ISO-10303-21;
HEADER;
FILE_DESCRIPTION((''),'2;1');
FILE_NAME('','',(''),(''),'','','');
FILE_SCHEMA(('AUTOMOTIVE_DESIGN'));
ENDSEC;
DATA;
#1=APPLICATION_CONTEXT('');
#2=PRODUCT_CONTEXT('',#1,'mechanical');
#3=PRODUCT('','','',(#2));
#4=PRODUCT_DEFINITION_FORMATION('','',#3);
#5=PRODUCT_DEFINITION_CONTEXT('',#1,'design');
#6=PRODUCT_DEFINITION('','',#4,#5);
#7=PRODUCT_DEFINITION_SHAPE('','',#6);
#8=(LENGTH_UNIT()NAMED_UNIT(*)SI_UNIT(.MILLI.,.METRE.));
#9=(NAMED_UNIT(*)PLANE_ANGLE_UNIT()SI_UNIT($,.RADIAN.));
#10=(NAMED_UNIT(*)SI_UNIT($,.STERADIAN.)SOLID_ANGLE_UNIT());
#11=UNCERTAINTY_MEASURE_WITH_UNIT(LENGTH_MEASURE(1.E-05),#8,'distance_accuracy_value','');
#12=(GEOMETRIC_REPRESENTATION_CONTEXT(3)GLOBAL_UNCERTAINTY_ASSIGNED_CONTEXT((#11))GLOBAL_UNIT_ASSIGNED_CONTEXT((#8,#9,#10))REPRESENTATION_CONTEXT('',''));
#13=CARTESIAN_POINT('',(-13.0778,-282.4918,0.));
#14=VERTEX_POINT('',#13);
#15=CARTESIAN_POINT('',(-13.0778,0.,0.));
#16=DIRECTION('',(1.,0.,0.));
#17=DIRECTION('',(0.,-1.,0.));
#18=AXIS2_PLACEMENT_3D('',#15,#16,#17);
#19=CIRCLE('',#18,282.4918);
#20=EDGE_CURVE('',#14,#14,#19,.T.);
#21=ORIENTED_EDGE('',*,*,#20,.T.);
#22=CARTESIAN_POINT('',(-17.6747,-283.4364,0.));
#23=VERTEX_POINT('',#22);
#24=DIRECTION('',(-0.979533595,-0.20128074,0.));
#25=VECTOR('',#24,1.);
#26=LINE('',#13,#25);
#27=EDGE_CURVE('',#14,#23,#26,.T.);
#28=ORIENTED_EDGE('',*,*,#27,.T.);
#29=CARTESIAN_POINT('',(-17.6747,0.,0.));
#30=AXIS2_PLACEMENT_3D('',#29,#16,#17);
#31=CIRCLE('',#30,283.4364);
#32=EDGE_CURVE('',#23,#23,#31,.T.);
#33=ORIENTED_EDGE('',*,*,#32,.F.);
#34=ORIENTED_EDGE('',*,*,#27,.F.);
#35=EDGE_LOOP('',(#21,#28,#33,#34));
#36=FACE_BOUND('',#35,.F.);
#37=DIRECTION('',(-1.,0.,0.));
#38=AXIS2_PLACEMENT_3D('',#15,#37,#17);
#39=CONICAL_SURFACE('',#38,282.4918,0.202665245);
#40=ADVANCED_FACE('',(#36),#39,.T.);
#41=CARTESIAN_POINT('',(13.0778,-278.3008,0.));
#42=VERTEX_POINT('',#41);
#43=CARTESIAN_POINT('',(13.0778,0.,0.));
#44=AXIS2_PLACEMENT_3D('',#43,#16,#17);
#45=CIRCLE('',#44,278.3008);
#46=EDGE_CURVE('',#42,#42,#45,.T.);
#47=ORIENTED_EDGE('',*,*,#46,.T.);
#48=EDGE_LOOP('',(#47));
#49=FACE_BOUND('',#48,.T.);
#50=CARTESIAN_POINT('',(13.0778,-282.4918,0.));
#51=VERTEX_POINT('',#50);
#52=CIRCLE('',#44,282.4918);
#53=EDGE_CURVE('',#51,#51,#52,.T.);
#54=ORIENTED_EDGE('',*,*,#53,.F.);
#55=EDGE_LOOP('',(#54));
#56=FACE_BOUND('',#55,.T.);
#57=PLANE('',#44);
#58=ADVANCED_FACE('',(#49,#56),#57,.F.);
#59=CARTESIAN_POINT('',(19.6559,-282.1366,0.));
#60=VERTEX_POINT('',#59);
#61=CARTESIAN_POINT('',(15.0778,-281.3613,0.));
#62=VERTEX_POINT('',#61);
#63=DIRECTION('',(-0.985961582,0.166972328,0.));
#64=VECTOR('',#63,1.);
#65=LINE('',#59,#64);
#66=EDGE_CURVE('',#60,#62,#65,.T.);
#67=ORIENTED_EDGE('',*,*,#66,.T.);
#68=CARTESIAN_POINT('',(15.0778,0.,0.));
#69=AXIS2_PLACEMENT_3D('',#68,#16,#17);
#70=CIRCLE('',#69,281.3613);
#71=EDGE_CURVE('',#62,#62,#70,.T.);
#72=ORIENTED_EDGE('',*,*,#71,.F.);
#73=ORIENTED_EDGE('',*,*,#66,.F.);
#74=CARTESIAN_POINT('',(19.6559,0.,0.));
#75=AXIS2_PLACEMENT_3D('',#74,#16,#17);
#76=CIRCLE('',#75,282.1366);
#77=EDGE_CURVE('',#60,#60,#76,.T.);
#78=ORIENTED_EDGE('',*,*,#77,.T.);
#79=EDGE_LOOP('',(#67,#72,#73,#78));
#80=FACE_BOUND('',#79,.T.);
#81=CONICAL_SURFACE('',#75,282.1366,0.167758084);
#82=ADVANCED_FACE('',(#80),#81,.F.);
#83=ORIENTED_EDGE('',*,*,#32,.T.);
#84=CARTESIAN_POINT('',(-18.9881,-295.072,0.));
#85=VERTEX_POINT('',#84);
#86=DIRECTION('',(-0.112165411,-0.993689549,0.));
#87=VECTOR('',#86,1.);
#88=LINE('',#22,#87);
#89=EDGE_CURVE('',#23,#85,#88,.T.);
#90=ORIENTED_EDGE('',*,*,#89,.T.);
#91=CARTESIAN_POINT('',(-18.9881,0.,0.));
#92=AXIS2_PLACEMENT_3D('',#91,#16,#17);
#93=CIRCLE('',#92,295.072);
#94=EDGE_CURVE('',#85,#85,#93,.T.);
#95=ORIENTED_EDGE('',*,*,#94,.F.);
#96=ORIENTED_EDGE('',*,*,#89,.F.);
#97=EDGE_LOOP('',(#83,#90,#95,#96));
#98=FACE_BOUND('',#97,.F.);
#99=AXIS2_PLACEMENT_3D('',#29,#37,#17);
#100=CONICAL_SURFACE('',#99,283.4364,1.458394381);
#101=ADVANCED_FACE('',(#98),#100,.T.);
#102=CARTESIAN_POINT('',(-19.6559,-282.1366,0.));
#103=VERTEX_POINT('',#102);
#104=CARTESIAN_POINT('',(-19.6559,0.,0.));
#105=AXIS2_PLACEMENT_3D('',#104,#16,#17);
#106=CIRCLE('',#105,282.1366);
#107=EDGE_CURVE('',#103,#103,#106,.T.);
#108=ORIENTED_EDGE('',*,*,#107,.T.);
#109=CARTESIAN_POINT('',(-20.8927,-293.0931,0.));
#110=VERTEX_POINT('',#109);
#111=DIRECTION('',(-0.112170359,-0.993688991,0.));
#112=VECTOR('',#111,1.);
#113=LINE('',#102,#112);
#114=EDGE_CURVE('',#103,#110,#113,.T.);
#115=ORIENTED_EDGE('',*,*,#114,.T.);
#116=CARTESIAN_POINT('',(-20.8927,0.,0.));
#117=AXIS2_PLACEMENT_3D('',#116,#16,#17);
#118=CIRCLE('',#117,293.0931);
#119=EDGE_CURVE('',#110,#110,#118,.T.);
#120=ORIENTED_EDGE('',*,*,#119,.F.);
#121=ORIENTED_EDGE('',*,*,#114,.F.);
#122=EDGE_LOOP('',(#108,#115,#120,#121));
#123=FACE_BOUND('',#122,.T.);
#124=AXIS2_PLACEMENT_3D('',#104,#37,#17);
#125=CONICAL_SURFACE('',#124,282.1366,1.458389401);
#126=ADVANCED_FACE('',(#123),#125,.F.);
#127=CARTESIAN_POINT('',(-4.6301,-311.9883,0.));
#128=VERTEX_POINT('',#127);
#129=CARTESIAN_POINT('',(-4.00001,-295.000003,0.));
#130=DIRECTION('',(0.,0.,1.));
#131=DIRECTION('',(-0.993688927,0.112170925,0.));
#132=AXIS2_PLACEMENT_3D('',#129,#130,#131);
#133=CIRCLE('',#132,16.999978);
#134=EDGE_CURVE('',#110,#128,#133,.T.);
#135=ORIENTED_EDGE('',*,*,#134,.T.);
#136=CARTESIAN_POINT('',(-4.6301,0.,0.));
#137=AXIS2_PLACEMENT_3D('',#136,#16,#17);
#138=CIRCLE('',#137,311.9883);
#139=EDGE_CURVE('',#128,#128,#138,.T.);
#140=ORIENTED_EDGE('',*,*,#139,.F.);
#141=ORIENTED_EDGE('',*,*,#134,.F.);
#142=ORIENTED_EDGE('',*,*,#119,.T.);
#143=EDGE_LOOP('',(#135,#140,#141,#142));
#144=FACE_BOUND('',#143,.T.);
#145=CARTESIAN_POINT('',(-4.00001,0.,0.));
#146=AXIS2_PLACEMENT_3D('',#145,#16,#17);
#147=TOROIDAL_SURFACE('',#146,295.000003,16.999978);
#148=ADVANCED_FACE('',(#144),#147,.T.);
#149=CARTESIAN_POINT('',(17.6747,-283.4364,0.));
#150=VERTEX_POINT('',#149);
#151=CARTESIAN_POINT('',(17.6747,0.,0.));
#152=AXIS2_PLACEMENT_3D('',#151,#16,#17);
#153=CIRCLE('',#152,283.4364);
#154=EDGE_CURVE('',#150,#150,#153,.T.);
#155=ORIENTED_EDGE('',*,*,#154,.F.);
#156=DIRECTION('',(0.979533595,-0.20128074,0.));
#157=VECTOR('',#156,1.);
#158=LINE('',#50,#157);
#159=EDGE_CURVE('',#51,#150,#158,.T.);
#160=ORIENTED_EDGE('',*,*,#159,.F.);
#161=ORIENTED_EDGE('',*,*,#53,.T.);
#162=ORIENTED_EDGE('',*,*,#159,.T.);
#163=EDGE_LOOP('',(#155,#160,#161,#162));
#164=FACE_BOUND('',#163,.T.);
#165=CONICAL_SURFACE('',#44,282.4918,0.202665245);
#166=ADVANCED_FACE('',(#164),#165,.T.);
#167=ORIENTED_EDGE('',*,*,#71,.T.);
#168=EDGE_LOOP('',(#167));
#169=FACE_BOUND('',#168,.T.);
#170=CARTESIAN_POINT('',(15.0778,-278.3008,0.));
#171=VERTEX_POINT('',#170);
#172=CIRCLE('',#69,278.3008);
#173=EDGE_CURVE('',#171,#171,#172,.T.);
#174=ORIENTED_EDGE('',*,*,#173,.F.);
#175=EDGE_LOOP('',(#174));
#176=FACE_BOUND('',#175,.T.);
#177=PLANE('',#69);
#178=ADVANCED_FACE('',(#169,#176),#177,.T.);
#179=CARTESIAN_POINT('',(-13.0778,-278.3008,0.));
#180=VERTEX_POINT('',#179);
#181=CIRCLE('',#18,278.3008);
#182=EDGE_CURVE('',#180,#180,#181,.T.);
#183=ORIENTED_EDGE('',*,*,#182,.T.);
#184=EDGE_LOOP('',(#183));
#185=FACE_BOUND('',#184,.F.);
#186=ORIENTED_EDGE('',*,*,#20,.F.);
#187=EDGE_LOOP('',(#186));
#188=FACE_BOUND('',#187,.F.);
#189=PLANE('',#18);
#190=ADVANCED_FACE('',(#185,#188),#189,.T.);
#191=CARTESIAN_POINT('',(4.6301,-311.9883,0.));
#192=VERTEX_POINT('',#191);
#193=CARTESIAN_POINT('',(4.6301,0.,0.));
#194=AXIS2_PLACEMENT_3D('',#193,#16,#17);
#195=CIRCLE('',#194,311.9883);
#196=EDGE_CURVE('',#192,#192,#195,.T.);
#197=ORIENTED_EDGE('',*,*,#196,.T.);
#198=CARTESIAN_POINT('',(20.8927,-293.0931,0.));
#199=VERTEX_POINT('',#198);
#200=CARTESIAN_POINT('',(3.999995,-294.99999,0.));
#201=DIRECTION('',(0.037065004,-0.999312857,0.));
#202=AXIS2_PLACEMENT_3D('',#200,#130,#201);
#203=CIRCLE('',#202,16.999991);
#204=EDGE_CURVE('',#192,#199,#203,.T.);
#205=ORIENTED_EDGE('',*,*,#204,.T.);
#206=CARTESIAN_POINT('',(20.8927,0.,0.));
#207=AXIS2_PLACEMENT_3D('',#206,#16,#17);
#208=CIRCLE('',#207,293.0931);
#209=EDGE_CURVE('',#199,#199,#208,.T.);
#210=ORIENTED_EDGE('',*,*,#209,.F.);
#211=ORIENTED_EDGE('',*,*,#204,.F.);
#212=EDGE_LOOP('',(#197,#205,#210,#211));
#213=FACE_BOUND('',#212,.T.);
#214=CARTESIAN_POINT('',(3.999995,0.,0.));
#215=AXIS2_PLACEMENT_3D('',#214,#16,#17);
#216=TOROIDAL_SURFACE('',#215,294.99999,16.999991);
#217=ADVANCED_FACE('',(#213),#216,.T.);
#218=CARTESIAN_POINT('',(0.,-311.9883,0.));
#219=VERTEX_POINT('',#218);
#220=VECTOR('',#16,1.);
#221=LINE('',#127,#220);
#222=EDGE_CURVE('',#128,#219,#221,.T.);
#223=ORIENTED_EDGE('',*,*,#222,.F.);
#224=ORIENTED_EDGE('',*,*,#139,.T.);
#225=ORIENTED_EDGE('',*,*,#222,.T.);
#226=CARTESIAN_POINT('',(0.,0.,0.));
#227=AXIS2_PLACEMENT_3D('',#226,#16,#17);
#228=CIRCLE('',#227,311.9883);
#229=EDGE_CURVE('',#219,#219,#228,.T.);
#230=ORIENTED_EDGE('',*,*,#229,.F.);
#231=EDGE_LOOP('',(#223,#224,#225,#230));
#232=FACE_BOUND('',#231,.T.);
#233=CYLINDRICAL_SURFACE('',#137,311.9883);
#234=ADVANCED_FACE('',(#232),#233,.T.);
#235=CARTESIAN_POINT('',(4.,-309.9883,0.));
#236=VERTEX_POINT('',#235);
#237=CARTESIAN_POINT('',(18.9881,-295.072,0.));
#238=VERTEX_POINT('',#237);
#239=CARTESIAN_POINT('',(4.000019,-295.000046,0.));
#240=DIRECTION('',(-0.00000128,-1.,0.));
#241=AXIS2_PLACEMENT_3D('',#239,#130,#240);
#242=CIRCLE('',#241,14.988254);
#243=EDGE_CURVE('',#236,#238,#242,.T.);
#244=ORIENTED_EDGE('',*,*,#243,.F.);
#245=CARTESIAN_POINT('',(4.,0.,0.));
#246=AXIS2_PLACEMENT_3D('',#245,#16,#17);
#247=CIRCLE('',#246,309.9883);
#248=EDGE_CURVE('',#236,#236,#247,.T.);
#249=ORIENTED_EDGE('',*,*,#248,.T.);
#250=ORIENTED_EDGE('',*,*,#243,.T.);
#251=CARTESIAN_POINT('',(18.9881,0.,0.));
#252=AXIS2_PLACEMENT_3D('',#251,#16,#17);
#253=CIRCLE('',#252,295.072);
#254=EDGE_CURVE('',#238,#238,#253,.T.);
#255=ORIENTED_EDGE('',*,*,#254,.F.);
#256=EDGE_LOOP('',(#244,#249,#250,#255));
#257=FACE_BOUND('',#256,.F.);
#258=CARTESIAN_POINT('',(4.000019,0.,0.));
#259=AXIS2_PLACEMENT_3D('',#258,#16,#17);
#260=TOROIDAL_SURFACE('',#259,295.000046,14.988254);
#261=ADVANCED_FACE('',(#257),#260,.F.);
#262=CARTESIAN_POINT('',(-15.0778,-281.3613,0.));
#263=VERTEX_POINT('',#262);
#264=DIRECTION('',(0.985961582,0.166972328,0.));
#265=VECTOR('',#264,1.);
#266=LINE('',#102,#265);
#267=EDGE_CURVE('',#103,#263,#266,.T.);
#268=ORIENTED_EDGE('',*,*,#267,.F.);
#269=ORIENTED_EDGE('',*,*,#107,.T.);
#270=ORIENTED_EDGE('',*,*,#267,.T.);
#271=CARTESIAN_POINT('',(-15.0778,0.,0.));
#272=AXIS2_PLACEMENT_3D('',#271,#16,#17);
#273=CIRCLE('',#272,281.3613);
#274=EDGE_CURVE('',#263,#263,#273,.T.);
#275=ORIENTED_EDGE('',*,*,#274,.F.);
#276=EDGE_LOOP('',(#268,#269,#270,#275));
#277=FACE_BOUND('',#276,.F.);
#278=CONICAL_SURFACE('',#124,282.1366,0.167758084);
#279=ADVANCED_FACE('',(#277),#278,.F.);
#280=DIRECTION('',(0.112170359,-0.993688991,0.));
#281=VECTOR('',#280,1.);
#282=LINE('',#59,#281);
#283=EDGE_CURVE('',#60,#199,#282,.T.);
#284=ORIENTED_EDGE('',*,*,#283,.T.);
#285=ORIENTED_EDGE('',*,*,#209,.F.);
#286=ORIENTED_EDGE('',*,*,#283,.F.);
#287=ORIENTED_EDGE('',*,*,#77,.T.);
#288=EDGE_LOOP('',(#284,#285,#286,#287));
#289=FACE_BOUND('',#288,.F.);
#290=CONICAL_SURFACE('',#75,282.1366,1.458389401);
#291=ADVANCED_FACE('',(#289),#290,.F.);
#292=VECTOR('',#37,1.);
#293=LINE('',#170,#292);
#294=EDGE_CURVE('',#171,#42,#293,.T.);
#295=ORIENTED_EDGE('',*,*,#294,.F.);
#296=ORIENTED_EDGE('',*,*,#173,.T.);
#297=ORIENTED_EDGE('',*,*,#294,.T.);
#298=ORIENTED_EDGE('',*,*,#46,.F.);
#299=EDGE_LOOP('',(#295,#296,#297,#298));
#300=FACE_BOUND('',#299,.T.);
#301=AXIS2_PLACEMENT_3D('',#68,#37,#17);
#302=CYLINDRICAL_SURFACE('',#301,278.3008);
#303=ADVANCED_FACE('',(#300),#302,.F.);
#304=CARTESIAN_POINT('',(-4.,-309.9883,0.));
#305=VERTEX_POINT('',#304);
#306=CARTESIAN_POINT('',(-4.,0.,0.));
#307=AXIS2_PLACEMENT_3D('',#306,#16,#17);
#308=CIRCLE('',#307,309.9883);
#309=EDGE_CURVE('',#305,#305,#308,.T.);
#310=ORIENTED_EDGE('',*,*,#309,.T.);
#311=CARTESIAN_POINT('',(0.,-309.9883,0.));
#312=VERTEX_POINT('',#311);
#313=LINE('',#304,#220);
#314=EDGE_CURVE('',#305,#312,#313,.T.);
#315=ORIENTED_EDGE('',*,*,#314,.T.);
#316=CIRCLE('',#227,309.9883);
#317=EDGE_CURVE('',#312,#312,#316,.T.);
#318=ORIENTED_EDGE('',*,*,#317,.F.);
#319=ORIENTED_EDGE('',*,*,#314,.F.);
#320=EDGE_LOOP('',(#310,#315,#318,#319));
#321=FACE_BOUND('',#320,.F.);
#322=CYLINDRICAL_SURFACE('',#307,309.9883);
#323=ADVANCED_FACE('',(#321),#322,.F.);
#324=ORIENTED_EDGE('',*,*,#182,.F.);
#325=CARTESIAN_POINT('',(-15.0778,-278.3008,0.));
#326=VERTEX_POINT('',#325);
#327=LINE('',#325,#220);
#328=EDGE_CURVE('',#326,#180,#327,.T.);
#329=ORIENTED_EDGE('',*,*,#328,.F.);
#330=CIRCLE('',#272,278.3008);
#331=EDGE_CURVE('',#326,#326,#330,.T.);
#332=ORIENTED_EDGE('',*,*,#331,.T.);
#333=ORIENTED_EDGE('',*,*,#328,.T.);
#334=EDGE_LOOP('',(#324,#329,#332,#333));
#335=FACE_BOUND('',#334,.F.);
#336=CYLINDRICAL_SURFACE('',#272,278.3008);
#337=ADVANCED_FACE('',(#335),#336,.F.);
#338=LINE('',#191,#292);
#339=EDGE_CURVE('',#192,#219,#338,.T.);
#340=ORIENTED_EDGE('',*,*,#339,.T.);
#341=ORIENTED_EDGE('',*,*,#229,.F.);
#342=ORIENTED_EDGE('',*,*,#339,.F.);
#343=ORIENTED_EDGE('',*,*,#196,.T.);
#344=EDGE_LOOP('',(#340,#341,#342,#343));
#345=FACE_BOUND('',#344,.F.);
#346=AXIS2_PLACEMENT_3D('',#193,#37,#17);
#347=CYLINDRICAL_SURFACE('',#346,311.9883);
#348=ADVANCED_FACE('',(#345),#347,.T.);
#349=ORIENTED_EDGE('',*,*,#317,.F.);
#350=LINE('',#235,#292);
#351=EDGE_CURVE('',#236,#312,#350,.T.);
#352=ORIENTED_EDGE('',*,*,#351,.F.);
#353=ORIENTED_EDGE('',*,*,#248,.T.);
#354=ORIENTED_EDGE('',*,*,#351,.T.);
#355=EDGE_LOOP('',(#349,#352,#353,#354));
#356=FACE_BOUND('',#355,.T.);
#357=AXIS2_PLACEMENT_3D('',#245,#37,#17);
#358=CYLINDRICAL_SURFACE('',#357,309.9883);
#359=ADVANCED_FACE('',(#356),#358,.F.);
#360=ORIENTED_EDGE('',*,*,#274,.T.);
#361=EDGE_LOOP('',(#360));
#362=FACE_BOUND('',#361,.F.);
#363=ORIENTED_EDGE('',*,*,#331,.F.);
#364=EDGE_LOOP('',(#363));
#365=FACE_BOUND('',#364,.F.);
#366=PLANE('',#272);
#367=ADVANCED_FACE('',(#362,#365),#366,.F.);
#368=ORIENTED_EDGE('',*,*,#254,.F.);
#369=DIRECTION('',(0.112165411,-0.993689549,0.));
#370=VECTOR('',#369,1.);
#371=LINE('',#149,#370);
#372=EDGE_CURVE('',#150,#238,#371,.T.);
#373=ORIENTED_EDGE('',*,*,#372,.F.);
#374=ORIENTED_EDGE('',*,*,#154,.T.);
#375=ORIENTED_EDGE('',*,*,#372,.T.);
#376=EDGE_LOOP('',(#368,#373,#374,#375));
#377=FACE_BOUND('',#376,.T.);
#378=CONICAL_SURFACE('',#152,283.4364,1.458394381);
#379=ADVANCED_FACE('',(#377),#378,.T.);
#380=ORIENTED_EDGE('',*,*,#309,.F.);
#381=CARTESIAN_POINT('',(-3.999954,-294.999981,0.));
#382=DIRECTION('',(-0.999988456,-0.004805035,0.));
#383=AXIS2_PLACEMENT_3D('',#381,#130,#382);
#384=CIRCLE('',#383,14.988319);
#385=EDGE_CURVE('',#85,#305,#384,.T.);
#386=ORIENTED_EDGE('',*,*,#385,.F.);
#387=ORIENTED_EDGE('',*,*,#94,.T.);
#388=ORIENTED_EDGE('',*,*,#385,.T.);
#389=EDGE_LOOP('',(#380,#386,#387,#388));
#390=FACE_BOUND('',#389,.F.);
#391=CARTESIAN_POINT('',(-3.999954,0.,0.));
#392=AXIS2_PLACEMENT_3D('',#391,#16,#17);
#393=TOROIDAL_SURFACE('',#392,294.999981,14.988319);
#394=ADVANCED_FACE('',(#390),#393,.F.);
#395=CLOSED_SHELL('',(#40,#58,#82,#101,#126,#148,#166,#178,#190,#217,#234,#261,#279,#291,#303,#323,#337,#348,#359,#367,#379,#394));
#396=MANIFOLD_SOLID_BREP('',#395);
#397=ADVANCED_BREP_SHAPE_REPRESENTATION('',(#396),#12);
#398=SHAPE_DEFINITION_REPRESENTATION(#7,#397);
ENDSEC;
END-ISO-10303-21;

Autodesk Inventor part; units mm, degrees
ref_plane "YZ Plane" through (0, 0, 0) normal (1, 0, 0) x (0, 1, 0)
ref_plane "XZ Plane" through (0, 0, 0) normal (0, 1, 0) x (-1, 0, 0)
ref_plane "XY Plane" through (0, 0, 0) normal (0, 0, 1) x (1, 0, 0)
sketch "Sketch1" plane through (0, 0, 0) normal (0, 0, 1) x (1, 0, 0)
  line L0 (19.6559, -282.1366) -> (20.8927, -293.0931)
  arc A0 (4.6301, -311.9883) -> (20.8927, -293.0931) centre (4, -295) ccw
  line L1 (4.6301, -311.9883) -> (0, -311.9883)
  line L2 (19.6559, -282.1366) -> (15.0778, -281.3613)
  line L3 (15.0778, -281.3613) -> (15.0778, -278.3008)
  line L4 (15.0778, -278.3008) -> (13.0778, -278.3008)
  line L5 (13.0778, -278.3008) -> (13.0778, -282.4918)
  line L6 (13.0778, -282.4918) -> (17.6747, -283.4364)
  line L7 (17.6747, -283.4364) -> (18.9881, -295.072)
  arc A1 (4, -309.9883) -> (18.9881, -295.072) centre (4, -295) ccw
  line L8 (4, -309.9883) -> (0, -309.9883)
  line L9 (0, -311.9883) -> (0, 0)
  line L10 (0, 0) -> (0, -311.9883) construction
  line L11 (-19.6559, -282.1366) -> (-20.8927, -293.0931)
  arc A2 (-20.8927, -293.0931) -> (-4.6301, -311.9883) centre (-4, -295) ccw
  line L12 (-4.6301, -311.9883) -> (0, -311.9883)
  line L13 (-19.6559, -282.1366) -> (-15.0778, -281.3613)
  line L14 (-15.0778, -281.3613) -> (-15.0778, -278.3008)
  line L15 (-15.0778, -278.3008) -> (-13.0778, -278.3008)
  line L16 (-13.0778, -278.3008) -> (-13.0778, -282.4918)
  line L17 (-13.0778, -282.4918) -> (-17.6747, -283.4364)
  line L18 (-17.6747, -283.4364) -> (-18.9881, -295.072)
  arc A3 (-18.9881, -295.072) -> (-4, -309.9883) centre (-4, -295) ccw
  line L19 (-4, -309.9883) -> (0, -309.9883)
  line L20 (-35.0226, 0) -> (35.0226, 0) projected
  dimension "d2" = 17
  dimension "d3" = 295
  dimension "d4" = 4
  dimension "d5" = 2
  dimension "d6" = 2
  dimension "d8" = 2
revolve "Revolution1" add sketch "Sketch1" angle 360 about axis through (-10, 0, 0) along (1, 0, 0)
properties part number "llanta_ruta_2"
